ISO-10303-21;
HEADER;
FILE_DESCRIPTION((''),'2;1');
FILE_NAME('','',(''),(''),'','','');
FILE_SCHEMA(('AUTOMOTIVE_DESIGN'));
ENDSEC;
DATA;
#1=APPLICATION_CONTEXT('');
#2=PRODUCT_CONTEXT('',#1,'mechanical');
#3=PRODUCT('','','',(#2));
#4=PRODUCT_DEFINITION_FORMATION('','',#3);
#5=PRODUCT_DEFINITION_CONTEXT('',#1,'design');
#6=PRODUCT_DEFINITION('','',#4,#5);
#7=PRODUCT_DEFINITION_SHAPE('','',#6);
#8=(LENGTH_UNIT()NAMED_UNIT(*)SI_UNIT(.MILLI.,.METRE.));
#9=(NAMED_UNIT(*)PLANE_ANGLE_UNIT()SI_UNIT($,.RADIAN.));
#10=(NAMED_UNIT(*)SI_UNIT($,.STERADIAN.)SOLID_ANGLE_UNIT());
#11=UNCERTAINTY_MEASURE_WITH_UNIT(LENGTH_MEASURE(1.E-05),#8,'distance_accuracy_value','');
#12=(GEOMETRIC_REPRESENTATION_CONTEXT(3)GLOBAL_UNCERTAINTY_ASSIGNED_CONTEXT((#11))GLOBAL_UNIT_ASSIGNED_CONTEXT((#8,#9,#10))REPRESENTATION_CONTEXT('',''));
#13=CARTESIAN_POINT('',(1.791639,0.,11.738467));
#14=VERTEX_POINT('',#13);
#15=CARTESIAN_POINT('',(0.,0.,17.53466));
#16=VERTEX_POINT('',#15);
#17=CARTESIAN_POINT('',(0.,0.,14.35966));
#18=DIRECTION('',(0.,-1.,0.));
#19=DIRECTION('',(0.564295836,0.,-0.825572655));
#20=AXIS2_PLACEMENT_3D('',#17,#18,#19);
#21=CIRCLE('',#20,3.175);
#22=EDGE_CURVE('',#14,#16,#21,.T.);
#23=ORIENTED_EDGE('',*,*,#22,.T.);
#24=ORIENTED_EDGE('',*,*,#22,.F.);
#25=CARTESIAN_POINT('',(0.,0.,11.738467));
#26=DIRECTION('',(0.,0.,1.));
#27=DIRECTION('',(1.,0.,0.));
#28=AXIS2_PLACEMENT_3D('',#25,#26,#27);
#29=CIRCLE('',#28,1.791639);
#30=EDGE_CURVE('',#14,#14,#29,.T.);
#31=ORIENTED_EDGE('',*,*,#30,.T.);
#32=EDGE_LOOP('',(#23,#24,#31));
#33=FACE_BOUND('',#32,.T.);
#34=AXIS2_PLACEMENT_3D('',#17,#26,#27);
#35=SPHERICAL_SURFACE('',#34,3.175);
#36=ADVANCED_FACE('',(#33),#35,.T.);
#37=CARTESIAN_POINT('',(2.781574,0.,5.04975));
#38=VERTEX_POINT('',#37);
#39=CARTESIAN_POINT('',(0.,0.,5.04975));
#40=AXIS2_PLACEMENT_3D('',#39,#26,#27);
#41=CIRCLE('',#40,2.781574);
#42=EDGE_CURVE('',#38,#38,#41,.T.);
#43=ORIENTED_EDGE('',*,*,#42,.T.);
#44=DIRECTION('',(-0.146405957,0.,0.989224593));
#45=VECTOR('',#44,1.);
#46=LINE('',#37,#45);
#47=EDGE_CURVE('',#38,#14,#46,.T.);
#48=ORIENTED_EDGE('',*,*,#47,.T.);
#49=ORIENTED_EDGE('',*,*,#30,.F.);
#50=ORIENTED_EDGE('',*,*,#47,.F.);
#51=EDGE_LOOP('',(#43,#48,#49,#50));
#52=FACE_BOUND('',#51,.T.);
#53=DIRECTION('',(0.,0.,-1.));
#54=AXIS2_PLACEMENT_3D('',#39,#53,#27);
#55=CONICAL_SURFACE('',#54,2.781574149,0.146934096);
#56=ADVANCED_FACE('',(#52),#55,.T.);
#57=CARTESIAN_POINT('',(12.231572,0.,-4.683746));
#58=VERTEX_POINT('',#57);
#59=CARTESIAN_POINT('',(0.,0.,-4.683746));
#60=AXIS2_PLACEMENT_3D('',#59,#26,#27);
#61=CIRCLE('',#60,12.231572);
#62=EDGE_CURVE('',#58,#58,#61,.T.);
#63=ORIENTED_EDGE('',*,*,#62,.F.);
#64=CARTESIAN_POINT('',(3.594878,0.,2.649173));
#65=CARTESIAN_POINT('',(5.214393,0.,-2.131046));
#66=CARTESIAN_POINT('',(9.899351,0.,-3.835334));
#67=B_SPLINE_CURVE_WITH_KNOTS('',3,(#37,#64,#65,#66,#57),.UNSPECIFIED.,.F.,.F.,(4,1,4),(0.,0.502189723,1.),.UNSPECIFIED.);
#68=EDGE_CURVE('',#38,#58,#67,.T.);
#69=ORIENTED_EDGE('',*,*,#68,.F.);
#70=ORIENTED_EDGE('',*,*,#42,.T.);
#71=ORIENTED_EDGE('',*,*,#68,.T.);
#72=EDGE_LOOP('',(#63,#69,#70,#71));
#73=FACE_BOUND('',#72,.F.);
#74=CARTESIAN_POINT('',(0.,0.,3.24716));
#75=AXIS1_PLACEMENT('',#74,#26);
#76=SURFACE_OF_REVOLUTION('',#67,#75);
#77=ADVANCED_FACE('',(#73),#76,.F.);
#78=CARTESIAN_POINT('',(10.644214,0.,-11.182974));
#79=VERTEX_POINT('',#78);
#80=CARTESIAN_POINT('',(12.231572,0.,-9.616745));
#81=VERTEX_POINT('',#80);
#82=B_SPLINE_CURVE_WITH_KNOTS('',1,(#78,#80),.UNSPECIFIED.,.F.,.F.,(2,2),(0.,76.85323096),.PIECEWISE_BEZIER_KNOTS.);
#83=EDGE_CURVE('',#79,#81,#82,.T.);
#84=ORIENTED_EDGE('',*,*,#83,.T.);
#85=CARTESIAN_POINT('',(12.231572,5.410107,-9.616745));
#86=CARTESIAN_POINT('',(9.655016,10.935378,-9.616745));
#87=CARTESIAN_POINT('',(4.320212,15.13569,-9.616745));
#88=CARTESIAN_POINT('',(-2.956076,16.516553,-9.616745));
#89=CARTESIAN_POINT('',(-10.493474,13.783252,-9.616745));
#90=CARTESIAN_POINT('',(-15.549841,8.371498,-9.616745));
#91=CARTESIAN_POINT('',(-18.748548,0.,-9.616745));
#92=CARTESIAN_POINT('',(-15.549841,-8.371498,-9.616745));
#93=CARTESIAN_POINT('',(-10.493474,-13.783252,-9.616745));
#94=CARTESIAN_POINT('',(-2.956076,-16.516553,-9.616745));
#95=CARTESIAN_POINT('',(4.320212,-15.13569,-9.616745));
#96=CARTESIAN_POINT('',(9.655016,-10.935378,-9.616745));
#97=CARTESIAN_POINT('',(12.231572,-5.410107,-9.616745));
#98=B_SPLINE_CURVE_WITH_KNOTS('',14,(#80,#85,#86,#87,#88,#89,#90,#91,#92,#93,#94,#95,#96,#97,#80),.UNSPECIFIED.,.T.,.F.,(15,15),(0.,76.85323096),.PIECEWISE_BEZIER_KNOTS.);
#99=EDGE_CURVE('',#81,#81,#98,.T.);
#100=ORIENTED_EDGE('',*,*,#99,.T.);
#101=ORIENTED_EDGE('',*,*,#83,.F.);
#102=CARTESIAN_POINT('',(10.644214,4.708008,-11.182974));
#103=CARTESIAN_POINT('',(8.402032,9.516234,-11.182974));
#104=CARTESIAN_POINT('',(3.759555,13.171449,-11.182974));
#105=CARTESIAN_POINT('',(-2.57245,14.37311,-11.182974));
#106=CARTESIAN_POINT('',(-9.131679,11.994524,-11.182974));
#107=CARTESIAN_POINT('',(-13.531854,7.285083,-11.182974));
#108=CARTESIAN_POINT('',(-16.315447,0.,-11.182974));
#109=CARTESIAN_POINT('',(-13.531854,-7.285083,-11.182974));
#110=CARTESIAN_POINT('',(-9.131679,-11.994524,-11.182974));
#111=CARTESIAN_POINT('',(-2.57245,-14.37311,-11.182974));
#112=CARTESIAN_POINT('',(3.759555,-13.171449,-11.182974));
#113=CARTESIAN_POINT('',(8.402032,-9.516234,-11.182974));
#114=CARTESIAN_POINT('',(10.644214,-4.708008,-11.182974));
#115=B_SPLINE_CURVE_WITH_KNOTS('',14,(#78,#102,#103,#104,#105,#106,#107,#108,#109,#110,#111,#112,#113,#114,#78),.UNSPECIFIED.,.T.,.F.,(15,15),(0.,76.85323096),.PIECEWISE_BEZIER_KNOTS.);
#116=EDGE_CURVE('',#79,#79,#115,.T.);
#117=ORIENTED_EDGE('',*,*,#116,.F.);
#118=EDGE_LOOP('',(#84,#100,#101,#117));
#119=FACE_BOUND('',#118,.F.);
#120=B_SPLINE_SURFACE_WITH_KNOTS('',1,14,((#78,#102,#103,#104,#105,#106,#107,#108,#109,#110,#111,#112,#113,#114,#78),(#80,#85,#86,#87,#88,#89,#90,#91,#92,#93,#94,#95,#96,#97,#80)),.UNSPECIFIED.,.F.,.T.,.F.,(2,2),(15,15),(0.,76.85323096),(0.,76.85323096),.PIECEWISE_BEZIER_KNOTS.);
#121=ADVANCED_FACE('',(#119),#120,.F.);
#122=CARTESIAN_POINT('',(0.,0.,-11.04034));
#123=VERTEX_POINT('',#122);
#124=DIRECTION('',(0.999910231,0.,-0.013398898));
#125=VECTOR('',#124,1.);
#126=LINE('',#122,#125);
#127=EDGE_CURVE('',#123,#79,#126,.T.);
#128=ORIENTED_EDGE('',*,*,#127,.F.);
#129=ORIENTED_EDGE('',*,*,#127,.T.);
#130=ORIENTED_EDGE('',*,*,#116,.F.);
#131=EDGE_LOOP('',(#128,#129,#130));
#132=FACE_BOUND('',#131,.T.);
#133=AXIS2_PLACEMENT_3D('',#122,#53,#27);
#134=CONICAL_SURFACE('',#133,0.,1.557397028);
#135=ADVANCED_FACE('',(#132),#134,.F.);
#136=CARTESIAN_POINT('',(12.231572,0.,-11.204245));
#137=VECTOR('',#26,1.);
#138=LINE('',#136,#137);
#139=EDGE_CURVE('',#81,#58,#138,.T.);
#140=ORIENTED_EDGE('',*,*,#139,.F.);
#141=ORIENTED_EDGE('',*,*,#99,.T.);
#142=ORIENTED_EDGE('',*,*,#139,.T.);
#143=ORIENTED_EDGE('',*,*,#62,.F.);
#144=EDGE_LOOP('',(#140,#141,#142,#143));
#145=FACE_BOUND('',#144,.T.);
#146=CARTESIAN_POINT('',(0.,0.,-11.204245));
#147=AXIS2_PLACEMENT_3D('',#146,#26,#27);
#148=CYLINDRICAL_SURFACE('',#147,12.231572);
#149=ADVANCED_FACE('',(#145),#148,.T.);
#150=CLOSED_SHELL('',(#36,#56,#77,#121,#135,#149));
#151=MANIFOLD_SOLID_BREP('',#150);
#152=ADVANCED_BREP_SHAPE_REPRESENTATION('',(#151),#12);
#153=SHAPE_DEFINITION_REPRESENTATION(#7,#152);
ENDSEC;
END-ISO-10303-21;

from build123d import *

# Parameters (mm, degrees)
F2_SIZE = 1.5875


with BuildPart() as f1:
    # F0 (on Front) → F1 (revolve)
    with BuildSketch(Plane.XZ):
        with BuildLine():
            Line((2.7815741487, 5.0497502089), (1.7916392798, 11.7384665387))
            ThreePointArc((1.7916392798, 11.7384665387), (3.0333902938, 15.2972994827), (0, 17.5346597195))
            Line((0, 17.5346597195), (0, -11.0403402805))
            Line((0, -11.0403402805), (12.2315715998, -11.2042445689))
            Line((12.2315715998, -11.2042445689), (12.2315715998, -4.6837464906))
            add(Edge.make_bspline(
                [(2.7815741487, 5.0497502089), (3.5948778018, 2.6491730872), (5.2143925307, -2.1310464429), (9.8993510845, -3.8353344204), (12.2315715998, -4.6837464906)],
                knots=[0, 0, 0, 0, 0.502189723, 1, 1, 1, 1], degree=3))
        make_face()
    revolve(axis=Axis((0, 0, 3.2471597195), (0, 0, 1)))

    # F2
    f2_edges = [f1.edges().sort_by_distance(p)[0] for p in [
        (-12.231572, 0, -11.204245),
    ]]
    chamfer(f2_edges, length=F2_SIZE)


solid = f1.part
